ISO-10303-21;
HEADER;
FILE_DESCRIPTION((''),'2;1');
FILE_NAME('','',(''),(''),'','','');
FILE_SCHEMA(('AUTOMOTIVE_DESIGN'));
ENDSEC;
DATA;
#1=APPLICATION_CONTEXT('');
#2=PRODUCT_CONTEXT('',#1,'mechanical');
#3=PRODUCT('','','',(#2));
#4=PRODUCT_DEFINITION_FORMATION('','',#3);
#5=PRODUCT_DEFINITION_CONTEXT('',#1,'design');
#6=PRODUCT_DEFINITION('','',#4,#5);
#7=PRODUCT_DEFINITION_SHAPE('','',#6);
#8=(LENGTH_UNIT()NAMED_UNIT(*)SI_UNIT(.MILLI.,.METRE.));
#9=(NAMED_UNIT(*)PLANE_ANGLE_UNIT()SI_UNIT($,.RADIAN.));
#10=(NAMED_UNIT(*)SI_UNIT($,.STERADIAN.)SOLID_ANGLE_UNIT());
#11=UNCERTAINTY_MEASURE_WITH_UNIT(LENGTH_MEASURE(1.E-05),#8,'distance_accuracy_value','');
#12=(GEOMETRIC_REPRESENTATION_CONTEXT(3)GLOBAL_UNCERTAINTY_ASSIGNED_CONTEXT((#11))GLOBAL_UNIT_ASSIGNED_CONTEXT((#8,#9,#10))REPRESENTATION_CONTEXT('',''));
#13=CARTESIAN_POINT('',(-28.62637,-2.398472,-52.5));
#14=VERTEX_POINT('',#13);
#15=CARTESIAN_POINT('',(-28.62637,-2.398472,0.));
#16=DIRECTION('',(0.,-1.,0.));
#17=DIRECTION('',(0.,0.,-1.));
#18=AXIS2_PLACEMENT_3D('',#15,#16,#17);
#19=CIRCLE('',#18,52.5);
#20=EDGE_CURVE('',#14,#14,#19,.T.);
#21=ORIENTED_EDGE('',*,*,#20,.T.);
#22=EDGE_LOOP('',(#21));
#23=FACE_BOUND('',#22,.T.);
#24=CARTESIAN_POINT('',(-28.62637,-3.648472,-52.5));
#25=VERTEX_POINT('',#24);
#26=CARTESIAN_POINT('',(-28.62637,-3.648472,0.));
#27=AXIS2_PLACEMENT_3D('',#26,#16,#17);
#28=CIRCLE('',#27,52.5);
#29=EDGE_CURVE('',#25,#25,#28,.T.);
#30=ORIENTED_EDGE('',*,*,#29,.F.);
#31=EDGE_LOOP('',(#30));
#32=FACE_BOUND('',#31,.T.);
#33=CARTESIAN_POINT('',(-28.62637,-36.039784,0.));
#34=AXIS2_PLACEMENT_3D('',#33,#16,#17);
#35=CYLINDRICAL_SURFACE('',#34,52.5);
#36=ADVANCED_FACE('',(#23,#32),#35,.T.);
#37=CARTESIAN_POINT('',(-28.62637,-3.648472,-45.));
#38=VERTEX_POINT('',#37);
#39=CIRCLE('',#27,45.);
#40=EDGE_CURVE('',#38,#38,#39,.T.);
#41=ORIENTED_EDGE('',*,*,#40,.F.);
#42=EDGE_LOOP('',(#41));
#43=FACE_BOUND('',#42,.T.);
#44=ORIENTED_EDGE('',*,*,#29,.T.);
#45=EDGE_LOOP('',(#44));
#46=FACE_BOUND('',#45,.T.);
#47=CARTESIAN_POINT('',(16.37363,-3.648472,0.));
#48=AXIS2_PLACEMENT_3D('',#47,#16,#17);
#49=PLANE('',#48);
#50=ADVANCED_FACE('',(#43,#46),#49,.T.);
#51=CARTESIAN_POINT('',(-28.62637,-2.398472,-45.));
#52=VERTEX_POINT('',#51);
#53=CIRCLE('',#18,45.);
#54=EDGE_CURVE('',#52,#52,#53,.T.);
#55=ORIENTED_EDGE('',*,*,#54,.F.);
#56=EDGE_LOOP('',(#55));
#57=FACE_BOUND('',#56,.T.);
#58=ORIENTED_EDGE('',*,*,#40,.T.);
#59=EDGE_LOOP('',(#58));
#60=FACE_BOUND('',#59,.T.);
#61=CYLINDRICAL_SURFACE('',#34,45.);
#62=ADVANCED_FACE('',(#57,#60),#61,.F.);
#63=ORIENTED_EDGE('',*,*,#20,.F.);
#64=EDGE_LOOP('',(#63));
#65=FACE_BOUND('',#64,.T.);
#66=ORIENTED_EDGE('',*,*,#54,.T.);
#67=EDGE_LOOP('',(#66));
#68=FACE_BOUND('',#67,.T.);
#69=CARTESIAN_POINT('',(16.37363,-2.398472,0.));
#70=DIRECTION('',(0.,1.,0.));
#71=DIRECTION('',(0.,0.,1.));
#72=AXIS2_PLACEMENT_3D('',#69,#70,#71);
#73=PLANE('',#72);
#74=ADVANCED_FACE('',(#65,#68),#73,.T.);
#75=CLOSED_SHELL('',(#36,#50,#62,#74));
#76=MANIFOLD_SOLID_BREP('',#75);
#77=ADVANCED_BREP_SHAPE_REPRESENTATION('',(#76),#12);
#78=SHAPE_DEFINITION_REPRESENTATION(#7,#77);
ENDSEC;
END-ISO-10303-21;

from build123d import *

# Parameters (mm, degrees)
ESBO_O1_W = 7.5
ESBO_O1_H = 1.25


with BuildPart() as part:
    # Esboço1 → Revolução1 (revolve)
    with BuildSketch(Plane.XY, mode=Mode.PRIVATE) as revolu_o1_sk:
        with Locations((20.123630265, -3.023471961)):
            Rectangle(ESBO_O1_W, ESBO_O1_H)
    revolve(revolu_o1_sk.sketch.rotate(Axis((-28.626369735, -36.039784007, 0), (0, 1, 0)), 90), axis=Axis((-28.626369735, -36.039784007, 0), (0, 1, 0)))


solid = part.part
